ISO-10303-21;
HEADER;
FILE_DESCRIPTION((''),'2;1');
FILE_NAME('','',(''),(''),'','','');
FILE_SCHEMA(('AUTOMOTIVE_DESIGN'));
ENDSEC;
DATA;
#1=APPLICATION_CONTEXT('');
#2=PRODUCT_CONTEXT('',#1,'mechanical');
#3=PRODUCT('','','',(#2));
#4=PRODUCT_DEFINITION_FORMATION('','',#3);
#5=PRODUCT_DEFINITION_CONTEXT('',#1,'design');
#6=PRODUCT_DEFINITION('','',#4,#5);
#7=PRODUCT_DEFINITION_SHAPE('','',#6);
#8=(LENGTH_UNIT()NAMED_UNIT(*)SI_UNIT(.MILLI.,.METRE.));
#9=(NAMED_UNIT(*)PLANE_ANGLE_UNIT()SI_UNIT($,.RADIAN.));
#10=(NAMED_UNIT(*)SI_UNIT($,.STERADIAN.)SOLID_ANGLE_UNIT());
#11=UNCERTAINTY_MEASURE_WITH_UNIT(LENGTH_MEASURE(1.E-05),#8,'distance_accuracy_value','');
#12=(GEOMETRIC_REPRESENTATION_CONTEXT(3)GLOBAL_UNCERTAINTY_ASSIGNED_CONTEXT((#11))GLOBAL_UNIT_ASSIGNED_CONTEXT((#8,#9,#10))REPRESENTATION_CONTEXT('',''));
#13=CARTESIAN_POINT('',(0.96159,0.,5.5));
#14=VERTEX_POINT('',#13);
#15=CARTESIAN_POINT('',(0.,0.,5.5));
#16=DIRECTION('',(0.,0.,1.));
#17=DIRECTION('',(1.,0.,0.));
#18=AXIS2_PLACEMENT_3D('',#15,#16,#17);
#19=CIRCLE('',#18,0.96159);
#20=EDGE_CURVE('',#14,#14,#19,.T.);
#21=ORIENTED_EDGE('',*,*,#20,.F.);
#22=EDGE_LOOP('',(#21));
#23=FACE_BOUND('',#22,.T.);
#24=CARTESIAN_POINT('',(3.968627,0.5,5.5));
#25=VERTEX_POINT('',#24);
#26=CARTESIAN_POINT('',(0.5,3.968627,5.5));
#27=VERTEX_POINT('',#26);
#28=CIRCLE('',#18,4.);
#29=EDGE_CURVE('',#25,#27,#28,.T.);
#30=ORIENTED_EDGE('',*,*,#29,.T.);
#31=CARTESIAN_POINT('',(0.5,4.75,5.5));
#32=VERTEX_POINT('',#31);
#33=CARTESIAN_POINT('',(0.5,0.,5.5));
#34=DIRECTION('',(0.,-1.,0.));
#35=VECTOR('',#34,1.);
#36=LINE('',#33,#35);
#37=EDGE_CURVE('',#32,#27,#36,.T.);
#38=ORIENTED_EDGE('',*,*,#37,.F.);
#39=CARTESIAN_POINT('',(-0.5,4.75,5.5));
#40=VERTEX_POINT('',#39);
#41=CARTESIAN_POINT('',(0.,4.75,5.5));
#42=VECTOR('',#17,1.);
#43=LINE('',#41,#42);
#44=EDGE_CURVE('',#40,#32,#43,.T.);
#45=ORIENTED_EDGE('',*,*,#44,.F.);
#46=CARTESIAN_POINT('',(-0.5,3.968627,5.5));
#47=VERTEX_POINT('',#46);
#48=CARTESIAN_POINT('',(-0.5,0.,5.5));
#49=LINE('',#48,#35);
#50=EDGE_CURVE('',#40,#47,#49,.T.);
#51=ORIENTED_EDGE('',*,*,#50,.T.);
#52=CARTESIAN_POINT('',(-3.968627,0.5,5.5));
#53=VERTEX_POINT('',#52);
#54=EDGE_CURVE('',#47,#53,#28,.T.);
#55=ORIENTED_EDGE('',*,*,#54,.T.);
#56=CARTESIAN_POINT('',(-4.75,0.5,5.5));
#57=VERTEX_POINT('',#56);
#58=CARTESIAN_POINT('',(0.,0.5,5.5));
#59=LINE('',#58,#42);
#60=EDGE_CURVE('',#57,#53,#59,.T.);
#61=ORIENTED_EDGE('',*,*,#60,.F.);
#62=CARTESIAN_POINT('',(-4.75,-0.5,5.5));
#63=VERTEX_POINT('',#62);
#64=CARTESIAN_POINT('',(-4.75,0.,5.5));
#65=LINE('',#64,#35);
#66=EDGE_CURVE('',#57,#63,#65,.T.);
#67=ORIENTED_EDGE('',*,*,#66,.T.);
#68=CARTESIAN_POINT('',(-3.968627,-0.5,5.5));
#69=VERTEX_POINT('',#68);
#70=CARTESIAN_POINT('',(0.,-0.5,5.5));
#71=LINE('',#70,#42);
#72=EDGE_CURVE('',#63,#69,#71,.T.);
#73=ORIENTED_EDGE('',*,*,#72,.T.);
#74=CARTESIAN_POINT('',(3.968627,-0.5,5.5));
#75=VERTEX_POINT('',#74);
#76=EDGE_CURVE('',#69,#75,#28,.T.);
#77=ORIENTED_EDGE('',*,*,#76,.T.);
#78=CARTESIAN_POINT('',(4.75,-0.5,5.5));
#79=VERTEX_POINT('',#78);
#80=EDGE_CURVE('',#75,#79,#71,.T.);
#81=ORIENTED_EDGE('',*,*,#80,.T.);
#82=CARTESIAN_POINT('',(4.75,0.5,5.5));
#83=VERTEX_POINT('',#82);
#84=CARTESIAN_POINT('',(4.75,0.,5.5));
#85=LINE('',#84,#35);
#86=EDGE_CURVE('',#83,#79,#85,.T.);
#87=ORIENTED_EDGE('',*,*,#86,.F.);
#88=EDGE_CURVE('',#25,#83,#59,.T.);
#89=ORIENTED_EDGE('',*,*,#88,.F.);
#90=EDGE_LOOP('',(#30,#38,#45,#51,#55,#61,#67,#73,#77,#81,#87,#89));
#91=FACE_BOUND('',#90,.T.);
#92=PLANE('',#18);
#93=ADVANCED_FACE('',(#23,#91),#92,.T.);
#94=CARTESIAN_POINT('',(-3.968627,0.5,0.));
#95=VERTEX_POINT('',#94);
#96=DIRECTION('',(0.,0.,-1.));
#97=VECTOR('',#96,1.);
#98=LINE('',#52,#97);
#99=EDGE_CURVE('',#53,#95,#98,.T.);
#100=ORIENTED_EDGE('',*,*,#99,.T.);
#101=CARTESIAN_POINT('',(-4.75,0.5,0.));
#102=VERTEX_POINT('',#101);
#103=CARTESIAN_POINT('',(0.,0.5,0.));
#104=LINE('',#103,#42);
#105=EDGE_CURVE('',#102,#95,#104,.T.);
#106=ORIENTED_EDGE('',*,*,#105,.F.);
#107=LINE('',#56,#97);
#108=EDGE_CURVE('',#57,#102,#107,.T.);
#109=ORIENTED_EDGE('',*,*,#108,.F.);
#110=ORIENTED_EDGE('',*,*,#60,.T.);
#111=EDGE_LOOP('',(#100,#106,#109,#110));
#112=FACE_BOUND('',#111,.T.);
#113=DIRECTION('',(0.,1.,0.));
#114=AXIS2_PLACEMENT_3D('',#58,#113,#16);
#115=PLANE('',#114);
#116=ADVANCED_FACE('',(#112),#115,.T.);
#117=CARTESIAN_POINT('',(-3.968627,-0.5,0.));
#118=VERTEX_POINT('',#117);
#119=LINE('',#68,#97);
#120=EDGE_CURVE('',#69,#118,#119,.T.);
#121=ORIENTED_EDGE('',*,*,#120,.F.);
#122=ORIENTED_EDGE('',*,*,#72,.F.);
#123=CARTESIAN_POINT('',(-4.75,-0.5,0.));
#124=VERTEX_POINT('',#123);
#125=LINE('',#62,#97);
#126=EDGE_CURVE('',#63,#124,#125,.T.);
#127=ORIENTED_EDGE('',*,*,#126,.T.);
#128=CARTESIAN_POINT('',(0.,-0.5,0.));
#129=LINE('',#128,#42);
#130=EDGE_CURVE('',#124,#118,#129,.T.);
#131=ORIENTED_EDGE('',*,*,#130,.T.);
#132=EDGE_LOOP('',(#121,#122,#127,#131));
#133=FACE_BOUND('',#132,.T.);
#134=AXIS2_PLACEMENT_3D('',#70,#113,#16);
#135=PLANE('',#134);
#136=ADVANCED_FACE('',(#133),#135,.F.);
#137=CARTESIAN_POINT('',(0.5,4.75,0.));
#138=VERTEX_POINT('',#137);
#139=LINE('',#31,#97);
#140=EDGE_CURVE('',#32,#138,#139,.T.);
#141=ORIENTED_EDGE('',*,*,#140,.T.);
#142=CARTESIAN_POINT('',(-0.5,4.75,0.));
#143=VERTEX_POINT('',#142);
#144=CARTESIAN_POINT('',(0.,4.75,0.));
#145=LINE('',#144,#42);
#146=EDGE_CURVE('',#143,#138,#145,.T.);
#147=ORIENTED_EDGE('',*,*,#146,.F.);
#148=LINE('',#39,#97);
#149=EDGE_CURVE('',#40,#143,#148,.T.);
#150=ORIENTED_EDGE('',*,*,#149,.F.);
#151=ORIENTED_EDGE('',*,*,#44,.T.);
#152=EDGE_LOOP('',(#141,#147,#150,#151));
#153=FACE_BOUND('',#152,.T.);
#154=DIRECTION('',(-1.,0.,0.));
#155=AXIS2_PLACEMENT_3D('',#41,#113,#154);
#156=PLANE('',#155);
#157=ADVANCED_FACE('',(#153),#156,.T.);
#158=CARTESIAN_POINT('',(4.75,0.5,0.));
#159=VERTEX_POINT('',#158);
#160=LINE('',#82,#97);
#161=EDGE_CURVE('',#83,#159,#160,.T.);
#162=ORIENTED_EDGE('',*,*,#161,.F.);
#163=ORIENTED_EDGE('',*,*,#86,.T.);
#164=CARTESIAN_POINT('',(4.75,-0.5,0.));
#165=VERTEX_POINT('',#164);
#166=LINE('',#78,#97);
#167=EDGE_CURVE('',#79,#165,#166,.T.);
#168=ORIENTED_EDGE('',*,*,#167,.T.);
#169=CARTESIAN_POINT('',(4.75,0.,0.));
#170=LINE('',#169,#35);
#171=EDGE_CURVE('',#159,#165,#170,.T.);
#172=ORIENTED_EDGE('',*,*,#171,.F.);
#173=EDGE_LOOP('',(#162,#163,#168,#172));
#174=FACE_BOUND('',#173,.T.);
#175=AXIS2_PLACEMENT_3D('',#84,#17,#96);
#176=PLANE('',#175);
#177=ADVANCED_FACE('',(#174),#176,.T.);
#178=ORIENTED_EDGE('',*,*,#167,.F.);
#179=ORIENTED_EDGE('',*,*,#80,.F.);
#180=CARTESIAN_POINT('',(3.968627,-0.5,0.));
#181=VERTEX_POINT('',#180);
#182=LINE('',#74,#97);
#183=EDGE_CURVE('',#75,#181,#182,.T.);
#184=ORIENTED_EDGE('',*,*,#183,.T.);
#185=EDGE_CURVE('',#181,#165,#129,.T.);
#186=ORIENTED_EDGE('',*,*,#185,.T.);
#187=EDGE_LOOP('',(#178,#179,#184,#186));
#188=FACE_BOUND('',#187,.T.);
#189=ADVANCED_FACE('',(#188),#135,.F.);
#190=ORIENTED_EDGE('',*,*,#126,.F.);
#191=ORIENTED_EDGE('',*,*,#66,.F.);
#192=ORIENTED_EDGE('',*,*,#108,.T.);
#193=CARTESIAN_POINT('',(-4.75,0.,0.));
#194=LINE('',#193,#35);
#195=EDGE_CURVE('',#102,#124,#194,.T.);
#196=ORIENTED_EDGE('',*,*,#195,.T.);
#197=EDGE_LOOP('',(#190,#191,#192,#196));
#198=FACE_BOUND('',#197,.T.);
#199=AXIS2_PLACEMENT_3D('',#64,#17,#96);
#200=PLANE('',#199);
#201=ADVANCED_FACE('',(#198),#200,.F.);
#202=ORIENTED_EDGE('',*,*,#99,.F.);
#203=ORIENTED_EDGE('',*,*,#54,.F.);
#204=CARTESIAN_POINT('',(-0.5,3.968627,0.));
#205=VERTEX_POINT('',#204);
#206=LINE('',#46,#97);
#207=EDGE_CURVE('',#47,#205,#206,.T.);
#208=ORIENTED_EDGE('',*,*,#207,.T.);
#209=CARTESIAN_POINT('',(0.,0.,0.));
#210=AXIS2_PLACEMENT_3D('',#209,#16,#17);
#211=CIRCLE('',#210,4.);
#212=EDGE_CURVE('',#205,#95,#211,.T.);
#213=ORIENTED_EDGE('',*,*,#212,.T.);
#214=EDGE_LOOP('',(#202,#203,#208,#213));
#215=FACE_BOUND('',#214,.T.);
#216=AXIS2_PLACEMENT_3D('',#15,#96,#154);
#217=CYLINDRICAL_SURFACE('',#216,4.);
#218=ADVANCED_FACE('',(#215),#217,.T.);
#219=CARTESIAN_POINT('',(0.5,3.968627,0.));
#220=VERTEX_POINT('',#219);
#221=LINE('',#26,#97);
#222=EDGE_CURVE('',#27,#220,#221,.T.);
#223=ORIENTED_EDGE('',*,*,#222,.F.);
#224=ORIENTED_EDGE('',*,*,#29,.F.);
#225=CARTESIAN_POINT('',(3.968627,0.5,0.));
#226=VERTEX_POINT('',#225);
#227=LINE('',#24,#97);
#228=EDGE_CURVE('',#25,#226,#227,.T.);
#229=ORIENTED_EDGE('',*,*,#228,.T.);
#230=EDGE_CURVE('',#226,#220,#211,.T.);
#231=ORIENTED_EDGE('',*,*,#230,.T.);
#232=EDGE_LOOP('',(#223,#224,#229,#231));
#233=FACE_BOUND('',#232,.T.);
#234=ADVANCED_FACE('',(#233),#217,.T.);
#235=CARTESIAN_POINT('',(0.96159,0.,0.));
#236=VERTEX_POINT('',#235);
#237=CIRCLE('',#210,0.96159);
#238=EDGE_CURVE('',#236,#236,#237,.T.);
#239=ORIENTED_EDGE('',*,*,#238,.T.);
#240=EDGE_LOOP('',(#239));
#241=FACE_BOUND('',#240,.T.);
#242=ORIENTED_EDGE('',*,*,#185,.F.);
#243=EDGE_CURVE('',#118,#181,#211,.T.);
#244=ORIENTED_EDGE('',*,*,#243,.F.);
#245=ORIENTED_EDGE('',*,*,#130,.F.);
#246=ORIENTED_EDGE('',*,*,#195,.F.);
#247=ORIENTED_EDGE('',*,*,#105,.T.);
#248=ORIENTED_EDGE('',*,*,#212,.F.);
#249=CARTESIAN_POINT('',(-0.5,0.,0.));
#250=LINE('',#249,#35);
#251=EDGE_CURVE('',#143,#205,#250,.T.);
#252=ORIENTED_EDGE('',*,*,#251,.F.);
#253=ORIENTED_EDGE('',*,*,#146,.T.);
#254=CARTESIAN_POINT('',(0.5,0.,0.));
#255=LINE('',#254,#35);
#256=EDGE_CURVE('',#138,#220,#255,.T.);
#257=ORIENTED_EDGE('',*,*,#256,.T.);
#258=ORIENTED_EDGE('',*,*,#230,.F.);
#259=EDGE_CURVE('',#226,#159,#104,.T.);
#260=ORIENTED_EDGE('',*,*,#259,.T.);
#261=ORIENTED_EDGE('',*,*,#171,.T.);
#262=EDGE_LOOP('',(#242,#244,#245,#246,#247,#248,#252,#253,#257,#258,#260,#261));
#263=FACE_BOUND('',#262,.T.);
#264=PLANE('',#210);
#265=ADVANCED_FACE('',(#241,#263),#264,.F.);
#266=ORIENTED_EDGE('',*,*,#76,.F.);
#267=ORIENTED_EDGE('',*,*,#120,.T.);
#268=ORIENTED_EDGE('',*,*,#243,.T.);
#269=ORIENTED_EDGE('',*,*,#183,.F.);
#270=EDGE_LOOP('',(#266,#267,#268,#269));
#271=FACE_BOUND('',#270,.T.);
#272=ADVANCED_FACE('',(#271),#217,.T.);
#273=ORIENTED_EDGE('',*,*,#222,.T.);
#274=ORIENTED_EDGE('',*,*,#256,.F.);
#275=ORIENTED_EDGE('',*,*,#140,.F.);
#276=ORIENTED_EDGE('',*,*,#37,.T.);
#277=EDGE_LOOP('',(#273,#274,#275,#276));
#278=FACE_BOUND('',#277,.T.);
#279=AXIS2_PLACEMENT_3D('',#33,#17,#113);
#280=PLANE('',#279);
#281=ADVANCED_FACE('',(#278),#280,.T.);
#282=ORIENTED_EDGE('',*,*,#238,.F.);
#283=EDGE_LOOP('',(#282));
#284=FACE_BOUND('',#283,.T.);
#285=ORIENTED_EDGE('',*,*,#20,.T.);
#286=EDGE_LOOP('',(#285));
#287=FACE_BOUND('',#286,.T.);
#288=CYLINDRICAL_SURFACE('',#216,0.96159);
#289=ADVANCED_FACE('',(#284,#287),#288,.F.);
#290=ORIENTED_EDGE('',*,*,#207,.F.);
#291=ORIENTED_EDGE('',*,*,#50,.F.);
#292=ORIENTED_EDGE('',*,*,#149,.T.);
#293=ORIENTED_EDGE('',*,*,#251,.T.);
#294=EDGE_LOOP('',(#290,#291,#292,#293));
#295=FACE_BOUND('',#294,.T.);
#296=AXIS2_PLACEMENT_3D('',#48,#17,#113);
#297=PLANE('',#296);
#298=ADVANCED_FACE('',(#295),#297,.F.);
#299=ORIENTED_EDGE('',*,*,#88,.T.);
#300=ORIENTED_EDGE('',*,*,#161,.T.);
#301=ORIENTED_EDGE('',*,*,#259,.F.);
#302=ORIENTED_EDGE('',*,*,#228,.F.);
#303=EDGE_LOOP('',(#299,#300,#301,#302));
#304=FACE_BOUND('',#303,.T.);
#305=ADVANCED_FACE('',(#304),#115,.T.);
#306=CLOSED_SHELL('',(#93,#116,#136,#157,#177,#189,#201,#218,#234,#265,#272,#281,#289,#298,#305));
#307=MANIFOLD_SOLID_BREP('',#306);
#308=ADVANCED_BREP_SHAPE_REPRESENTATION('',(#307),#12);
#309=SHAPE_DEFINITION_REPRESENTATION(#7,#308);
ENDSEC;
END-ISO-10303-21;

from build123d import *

# Parameters (mm, degrees)
BOSS_EXTRUDE1_DEPTH = 5.5


with BuildPart() as part:
    # Sketch1 → Boss-Extrude1 (new body)
    with BuildSketch(Plane.XY):
        with BuildLine():
            Line((-0.821374058, -0.5), (-3.968626967, -0.5))
            ThreePointArc((-3.968626967, -0.5), (0, -4), (3.968626967, -0.5))
            Line((3.968626967, -0.5), (0.821374058, -0.5))
            ThreePointArc((0.821374058, -0.5), (0, -0.961590008), (-0.821374058, -0.5))
        make_face()
        with BuildLine():
            ThreePointArc((-0.5, 3.968626967), (-2.828427125, 2.828427125), (-3.968626967, 0.5))
            Line((-3.968626967, 0.5), (-0.821374058, 0.5))
            ThreePointArc((-0.821374058, 0.5), (-0.679946815, 0.679946815), (-0.5, 0.821374058))
            Line((-0.5, 0.821374058), (-0.5, 3.968626967))
        make_face()
        with BuildLine():
            ThreePointArc((3.968626967, 0.5), (2.828427125, 2.828427125), (0.5, 3.968626967))
            Line((0.5, 3.968626967), (0.5, 0.821374058))
            ThreePointArc((0.5, 0.821374058), (0.679946815, 0.679946815), (0.821374058, 0.5))
            Line((0.821374058, 0.5), (3.968626967, 0.5))
        make_face()
        with BuildLine():
            Line((-0.821374058, 0.5), (-3.968626967, 0.5))
            ThreePointArc((-3.968626967, 0.5), (-4, 0), (-3.968626967, -0.5))
            Line((-3.968626967, -0.5), (-0.821374058, -0.5))
            ThreePointArc((-0.821374058, -0.5), (-0.961590008, 0), (-0.821374058, 0.5))
        make_face()
        with BuildLine():
            Line((0.821374058, -0.5), (3.968626967, -0.5))
            ThreePointArc((3.968626967, -0.5), (3.992149037, -0.25049165), (4, 0))
            ThreePointArc((4, 0), (3.992149037, 0.25049165), (3.968626967, 0.5))
            Line((3.968626967, 0.5), (0.821374058, 0.5))
            ThreePointArc((0.821374058, 0.5), (0.925872678, 0.259644234), (0.961590008, 0))
            ThreePointArc((0.961590008, 0), (0.925872678, -0.259644234), (0.821374058, -0.5))
        make_face()
        with BuildLine():
            ThreePointArc((0.5, 3.968626967), (0, 4), (-0.5, 3.968626967))
            Line((-0.5, 3.968626967), (-0.5, 0.821374058))
            ThreePointArc((-0.5, 0.821374058), (0, 0.961590008), (0.5, 0.821374058))
            Line((0.5, 0.821374058), (0.5, 3.968626967))
        make_face()
        with BuildLine():
            Line((-3.968626967, 0.5), (-4.75, 0.5))
            Line((-4.75, 0.5), (-4.75, -0.5))
            Line((-4.75, -0.5), (-3.968626967, -0.5))
            ThreePointArc((-3.968626967, -0.5), (-4, 0), (-3.968626967, 0.5))
        make_face()
        with BuildLine():
            ThreePointArc((4, 0), (3.992149037, -0.25049165), (3.968626967, -0.5))
            Line((3.968626967, -0.5), (4.75, -0.5))
            Line((4.75, -0.5), (4.75, 0.5))
            Line((4.75, 0.5), (3.968626967, 0.5))
            ThreePointArc((3.968626967, 0.5), (3.992149037, 0.25049165), (4, 0))
        make_face()
        with BuildLine():
            Line((-0.5, 4.75), (-0.5, 3.968626967))
            ThreePointArc((-0.5, 3.968626967), (0, 4), (0.5, 3.968626967))
            Line((0.5, 3.968626967), (0.5, 4.75))
            Line((0.5, 4.75), (-0.5, 4.75))
        make_face()
    extrude(amount=BOSS_EXTRUDE1_DEPTH)


solid = part.part
